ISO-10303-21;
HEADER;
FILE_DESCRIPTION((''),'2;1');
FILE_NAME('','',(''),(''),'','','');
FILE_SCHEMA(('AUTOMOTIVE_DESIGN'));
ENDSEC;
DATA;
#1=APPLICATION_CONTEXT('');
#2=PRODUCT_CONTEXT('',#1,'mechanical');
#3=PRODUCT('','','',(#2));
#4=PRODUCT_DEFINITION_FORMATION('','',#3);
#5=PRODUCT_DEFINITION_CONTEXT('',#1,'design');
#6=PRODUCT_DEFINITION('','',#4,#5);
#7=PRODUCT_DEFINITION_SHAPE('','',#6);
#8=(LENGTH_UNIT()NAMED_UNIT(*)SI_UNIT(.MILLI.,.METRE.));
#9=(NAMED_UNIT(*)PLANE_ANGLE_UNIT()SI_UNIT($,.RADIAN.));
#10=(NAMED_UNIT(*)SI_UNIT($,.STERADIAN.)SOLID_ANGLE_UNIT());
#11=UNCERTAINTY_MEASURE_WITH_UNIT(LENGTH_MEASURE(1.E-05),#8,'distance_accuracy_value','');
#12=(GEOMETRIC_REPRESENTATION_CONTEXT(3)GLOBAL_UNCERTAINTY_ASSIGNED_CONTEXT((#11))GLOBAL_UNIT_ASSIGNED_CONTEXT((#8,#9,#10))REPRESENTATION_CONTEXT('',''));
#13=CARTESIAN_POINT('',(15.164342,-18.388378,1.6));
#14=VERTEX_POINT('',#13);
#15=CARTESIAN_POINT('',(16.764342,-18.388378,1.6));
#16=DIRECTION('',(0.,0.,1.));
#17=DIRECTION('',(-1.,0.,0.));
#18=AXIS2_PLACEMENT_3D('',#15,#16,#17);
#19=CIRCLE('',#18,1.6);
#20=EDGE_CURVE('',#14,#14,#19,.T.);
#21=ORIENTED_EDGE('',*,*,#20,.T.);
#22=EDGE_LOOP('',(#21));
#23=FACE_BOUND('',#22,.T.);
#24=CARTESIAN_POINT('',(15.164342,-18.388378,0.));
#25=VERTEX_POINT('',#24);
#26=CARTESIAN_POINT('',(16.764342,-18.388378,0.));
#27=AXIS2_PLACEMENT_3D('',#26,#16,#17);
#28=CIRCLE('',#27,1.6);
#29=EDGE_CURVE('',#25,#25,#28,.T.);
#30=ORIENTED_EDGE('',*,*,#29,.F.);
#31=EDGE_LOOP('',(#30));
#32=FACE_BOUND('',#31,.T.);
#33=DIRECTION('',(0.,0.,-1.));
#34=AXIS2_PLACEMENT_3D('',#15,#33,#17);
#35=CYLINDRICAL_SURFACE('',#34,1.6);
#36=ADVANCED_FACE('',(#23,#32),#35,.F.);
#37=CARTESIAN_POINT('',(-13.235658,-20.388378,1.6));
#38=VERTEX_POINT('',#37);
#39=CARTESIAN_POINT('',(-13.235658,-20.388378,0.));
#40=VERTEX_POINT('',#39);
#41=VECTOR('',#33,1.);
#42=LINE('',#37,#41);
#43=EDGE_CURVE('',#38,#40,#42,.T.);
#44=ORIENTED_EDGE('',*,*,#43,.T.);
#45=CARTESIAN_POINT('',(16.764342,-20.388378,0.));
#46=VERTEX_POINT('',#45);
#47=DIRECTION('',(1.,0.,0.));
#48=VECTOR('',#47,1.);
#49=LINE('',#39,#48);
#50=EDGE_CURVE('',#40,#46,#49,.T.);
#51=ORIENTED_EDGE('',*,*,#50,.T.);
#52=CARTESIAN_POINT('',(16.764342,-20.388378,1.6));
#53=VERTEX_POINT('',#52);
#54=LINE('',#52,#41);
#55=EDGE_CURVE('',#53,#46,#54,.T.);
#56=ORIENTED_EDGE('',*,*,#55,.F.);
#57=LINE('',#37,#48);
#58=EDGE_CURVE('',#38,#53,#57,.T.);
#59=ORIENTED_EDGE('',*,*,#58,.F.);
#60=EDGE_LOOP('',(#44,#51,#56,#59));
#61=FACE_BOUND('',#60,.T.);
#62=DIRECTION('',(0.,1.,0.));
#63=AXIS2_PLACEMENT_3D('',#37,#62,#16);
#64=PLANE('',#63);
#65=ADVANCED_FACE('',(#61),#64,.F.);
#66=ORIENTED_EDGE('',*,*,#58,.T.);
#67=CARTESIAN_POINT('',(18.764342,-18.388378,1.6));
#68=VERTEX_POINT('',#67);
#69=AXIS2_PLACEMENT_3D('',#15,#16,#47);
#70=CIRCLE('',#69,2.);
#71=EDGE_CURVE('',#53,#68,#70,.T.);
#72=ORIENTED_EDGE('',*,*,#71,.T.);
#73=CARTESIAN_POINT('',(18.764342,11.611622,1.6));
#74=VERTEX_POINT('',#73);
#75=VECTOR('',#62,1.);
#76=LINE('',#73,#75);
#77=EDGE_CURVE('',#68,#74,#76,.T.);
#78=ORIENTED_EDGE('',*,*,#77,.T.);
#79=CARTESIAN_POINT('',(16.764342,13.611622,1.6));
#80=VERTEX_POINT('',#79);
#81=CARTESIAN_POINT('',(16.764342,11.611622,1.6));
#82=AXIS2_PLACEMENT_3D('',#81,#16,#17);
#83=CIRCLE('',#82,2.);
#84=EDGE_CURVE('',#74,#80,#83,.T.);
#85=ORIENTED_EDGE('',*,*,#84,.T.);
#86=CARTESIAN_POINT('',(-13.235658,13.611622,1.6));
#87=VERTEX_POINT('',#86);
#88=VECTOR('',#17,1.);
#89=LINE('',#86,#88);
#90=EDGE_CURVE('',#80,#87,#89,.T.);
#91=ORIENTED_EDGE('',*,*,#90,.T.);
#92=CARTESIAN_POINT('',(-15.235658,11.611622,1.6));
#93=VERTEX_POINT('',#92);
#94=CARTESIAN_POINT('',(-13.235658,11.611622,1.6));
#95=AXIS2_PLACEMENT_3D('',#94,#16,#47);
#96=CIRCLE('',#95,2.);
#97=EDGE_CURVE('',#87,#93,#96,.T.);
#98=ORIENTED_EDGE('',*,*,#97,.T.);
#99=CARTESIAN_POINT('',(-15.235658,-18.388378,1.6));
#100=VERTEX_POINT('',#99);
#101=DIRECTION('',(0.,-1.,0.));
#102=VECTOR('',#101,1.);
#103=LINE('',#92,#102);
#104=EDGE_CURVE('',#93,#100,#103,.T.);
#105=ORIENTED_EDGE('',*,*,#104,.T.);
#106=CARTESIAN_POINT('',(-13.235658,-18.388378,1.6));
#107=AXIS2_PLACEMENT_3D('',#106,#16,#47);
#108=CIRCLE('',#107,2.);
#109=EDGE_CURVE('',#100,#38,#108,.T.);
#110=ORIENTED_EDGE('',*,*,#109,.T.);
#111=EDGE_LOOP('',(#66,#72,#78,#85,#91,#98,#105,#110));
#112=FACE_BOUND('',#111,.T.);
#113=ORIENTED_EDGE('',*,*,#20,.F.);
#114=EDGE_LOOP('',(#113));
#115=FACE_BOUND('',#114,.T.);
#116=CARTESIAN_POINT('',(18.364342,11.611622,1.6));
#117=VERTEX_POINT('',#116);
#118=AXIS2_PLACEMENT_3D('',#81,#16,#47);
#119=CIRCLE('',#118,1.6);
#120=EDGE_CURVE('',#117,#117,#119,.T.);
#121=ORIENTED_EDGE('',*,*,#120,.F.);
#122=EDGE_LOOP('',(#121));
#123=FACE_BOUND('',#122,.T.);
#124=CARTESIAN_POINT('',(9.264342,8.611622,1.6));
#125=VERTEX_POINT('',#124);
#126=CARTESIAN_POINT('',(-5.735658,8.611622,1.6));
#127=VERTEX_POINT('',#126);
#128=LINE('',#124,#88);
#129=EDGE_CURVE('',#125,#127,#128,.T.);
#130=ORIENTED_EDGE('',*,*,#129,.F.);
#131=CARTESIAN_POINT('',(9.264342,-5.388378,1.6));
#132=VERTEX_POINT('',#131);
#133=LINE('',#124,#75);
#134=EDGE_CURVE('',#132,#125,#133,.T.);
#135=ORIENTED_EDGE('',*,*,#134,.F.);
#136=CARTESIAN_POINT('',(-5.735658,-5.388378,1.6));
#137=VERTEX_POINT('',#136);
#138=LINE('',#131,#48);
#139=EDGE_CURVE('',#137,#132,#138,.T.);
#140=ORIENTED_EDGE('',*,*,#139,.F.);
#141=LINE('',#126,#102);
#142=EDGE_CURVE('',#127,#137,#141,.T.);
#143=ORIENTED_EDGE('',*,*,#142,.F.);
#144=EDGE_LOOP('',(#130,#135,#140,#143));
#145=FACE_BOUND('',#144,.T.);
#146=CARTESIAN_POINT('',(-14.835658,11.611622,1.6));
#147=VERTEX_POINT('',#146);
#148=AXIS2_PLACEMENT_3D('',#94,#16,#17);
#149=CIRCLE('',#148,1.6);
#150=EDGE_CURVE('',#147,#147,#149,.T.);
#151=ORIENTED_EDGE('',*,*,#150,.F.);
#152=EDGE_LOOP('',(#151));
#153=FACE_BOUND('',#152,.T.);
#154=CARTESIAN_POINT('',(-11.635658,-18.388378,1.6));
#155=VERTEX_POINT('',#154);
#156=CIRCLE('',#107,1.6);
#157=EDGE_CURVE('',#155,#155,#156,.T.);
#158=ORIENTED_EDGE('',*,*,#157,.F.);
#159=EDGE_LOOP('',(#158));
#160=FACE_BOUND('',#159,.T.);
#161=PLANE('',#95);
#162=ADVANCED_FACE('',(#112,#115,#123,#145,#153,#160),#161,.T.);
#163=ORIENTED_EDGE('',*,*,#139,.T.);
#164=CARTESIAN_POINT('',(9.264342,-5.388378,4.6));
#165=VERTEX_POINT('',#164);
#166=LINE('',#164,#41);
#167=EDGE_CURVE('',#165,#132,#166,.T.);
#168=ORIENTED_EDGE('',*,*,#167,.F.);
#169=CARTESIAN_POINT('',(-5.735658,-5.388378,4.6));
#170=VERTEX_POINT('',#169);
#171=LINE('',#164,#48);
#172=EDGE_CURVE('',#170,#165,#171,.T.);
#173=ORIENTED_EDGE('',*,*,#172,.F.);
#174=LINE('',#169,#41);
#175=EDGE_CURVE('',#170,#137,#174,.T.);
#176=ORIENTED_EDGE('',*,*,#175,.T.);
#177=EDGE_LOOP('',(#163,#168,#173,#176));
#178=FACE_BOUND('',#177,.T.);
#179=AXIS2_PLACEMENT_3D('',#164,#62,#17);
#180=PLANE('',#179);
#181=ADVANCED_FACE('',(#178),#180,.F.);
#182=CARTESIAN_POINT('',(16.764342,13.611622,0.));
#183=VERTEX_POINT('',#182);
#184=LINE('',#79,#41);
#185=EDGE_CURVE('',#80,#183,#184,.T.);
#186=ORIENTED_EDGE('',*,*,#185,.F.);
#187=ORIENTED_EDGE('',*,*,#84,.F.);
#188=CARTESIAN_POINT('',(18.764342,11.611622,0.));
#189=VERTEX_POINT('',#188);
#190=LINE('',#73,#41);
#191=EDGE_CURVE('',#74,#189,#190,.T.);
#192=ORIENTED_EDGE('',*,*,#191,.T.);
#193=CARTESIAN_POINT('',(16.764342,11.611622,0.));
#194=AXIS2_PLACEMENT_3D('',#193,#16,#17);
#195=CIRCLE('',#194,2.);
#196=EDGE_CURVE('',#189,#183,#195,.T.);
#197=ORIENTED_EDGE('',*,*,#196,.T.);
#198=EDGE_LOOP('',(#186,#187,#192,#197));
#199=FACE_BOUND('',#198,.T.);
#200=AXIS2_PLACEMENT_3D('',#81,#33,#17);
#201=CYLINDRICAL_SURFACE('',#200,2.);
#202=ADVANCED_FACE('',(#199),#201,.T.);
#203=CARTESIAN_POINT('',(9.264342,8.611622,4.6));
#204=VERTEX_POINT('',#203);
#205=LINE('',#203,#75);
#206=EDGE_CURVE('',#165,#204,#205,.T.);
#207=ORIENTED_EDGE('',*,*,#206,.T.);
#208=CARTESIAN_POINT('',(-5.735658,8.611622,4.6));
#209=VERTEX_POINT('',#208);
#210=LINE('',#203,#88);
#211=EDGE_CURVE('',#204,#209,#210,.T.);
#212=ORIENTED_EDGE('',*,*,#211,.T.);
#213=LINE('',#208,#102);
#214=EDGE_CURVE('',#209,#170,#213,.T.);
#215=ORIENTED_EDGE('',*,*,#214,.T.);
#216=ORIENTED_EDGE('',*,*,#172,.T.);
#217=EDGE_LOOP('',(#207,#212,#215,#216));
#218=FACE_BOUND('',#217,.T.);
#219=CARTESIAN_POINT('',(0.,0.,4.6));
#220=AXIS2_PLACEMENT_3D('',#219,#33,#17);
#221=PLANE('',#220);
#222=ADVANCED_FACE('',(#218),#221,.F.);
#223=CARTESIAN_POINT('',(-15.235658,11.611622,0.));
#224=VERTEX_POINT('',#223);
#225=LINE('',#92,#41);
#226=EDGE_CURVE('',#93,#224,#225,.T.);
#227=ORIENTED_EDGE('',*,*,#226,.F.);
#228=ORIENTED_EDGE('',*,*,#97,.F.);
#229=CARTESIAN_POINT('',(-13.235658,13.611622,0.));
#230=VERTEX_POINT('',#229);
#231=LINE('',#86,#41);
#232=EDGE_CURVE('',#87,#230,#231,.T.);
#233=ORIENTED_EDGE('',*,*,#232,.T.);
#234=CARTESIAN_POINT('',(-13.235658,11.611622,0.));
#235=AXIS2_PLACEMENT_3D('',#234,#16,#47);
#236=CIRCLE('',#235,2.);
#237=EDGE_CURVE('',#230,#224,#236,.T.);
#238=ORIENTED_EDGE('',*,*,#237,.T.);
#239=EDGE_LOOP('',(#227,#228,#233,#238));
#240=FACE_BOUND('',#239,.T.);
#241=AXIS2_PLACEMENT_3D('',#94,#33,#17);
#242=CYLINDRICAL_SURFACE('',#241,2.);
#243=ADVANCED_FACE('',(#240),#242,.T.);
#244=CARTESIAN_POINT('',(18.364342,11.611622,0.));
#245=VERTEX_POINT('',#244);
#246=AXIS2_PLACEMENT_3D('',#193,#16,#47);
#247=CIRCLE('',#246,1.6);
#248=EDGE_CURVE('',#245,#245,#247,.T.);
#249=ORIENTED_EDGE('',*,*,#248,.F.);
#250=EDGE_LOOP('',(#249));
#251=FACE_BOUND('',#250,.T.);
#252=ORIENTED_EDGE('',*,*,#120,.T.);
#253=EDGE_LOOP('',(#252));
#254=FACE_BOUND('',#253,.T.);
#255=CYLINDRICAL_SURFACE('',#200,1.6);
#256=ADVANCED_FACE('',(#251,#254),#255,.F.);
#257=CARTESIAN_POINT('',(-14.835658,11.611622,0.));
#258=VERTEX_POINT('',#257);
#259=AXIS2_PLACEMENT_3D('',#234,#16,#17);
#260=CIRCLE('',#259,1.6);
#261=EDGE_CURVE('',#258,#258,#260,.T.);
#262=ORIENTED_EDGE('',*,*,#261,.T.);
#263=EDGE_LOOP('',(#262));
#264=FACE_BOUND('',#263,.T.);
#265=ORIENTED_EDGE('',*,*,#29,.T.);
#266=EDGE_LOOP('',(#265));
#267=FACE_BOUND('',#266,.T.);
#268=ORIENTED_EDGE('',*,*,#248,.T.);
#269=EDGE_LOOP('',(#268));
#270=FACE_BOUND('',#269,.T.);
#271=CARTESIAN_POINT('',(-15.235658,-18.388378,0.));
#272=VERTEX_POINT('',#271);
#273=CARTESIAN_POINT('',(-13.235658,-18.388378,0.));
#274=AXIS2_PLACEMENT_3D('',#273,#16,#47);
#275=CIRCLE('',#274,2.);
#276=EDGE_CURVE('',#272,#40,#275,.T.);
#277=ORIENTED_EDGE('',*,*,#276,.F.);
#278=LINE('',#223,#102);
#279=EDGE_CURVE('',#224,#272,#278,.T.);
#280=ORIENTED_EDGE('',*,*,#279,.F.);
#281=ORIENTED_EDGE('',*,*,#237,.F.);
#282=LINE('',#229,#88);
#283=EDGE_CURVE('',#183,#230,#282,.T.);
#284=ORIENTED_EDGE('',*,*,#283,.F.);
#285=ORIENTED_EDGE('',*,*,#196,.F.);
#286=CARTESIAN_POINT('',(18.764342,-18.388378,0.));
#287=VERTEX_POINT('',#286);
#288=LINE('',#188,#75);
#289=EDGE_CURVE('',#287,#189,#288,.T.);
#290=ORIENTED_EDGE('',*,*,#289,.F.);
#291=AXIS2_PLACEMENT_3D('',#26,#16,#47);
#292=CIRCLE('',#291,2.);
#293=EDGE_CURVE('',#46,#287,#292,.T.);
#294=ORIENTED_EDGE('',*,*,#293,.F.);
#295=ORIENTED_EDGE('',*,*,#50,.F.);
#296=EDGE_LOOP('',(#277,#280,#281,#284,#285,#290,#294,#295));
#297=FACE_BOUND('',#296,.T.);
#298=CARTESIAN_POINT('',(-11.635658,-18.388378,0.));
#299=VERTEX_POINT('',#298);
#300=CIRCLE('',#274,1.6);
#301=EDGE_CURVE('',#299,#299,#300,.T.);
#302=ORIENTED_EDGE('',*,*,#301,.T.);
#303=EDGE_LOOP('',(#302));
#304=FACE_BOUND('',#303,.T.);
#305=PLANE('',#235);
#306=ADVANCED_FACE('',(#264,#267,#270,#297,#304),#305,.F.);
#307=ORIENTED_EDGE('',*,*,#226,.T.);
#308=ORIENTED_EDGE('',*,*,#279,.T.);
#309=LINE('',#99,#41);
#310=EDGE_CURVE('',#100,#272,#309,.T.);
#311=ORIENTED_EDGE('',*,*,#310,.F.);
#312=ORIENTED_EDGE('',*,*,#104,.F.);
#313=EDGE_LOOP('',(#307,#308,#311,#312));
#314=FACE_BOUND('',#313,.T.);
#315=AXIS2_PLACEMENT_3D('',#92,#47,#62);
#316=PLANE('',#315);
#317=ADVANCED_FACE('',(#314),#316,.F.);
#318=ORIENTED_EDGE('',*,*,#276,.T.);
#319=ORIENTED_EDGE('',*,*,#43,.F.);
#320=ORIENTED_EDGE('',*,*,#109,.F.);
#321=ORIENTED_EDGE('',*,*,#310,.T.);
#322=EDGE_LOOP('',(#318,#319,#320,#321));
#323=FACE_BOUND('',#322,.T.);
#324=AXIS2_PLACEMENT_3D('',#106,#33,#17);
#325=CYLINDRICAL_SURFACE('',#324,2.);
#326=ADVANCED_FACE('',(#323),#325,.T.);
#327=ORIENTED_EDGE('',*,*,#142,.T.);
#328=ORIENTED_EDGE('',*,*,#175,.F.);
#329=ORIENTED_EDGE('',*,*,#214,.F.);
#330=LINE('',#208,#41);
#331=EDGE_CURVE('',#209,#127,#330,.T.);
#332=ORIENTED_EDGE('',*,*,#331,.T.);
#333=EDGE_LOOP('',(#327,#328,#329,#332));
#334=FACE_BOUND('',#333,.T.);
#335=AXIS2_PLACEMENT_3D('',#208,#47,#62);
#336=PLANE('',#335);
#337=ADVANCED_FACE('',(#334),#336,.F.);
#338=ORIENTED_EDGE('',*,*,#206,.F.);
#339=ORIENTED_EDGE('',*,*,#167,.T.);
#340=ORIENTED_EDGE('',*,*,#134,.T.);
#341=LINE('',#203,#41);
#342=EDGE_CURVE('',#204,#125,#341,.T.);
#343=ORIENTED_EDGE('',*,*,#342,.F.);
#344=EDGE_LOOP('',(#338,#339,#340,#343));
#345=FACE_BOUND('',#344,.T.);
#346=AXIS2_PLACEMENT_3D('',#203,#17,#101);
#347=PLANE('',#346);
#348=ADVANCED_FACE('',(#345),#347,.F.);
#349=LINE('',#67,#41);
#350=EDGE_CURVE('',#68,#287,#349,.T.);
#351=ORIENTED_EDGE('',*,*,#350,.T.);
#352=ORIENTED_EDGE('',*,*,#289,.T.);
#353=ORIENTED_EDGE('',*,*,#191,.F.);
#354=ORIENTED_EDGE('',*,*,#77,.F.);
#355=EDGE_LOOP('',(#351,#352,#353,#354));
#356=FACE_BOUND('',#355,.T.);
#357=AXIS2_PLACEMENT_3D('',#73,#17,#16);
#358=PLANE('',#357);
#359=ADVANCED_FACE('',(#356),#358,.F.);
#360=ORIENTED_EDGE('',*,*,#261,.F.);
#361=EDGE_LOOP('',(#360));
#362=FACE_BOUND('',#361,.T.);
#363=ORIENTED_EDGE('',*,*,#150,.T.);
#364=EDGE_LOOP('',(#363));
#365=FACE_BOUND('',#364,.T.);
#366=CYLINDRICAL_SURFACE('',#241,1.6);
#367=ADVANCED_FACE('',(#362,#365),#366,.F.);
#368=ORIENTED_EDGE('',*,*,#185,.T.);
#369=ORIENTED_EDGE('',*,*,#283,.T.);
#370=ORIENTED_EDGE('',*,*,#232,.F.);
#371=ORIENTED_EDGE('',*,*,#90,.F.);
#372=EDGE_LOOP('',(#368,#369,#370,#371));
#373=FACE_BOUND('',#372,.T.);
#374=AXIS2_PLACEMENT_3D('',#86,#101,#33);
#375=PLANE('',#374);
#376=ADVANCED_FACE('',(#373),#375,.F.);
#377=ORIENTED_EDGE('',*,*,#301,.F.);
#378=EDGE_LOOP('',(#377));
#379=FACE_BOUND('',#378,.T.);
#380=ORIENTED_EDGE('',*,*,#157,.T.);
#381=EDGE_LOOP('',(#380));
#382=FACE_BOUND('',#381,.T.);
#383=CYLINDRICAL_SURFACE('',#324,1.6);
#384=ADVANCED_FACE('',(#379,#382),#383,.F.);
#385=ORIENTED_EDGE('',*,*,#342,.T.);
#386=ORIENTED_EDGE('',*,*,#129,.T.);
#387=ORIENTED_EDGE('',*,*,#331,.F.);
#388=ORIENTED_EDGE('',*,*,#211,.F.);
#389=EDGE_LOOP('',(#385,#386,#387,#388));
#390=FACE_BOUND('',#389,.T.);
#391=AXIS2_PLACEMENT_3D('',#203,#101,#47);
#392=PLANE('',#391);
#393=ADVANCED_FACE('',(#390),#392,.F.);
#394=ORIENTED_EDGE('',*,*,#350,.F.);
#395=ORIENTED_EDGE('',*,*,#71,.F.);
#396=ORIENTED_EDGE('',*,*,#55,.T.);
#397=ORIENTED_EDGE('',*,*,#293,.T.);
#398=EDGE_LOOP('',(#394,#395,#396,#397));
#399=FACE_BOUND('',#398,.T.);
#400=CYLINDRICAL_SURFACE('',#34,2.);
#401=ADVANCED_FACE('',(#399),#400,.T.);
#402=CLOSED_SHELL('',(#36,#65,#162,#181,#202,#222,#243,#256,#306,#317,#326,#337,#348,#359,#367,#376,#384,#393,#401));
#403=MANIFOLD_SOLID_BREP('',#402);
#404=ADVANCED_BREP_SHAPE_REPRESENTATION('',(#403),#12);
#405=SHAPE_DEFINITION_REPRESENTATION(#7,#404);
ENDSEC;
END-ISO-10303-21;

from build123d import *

# Parameters (mm, degrees)
SKETCH1_R           = 1.6
BOSS_EXTRUDE1_DEPTH = 1.6
SKETCH3_W           = 15
SKETCH3_H           = 14
BOSS_EXTRUDE2_DEPTH = 3


with BuildPart() as part:
    # Sketch1 → Boss-Extrude1 (new body)
    with BuildSketch(Plane.XY):
        with BuildLine():
            Line((-13.235657624, 13.611622239), (16.764342376, 13.611622239))
            ThreePointArc((16.764342376, 13.611622239), (18.178555938, 13.025835801), (18.764342376, 11.611622239))
            Line((18.764342376, 11.611622239), (18.764342376, -18.388377761))
            ThreePointArc((18.764342376, -18.388377761), (18.178555938, -19.802591324), (16.764342376, -20.388377761))
            Line((16.764342376, -20.388377761), (-13.235657624, -20.388377761))
            ThreePointArc((-13.235657624, -20.388377761), (-14.649871187, -19.802591324), (-15.235657624, -18.388377761))
            Line((-15.235657624, -18.388377761), (-15.235657624, 11.611622239))
            ThreePointArc((-15.235657624, 11.611622239), (-14.649871187, 13.025835801), (-13.235657624, 13.611622239))
        make_face()
        with Locations((16.764342376, 11.611622239)):
            Circle(SKETCH1_R, mode=Mode.SUBTRACT)
        with Locations(Location((16.764342376, -18.388377761, 0), (0, 0, 180))):
            Circle(SKETCH1_R, mode=Mode.SUBTRACT)
        with Locations(Location((-13.235657624, 11.611622239, 0), (0, 0, 180))):
            Circle(SKETCH1_R, mode=Mode.SUBTRACT)
        with Locations((-13.235657624, -18.388377761)):
            Circle(SKETCH1_R, mode=Mode.SUBTRACT)
    extrude(amount=BOSS_EXTRUDE1_DEPTH)

    # Sketch3 → Boss-Extrude2 (add)
    with BuildSketch(Plane.XY.offset(1.6)):
        with Locations((1.764342376, 1.611622239)):
            Rectangle(SKETCH3_W, SKETCH3_H)
    extrude(amount=BOSS_EXTRUDE2_DEPTH)


solid = part.part
